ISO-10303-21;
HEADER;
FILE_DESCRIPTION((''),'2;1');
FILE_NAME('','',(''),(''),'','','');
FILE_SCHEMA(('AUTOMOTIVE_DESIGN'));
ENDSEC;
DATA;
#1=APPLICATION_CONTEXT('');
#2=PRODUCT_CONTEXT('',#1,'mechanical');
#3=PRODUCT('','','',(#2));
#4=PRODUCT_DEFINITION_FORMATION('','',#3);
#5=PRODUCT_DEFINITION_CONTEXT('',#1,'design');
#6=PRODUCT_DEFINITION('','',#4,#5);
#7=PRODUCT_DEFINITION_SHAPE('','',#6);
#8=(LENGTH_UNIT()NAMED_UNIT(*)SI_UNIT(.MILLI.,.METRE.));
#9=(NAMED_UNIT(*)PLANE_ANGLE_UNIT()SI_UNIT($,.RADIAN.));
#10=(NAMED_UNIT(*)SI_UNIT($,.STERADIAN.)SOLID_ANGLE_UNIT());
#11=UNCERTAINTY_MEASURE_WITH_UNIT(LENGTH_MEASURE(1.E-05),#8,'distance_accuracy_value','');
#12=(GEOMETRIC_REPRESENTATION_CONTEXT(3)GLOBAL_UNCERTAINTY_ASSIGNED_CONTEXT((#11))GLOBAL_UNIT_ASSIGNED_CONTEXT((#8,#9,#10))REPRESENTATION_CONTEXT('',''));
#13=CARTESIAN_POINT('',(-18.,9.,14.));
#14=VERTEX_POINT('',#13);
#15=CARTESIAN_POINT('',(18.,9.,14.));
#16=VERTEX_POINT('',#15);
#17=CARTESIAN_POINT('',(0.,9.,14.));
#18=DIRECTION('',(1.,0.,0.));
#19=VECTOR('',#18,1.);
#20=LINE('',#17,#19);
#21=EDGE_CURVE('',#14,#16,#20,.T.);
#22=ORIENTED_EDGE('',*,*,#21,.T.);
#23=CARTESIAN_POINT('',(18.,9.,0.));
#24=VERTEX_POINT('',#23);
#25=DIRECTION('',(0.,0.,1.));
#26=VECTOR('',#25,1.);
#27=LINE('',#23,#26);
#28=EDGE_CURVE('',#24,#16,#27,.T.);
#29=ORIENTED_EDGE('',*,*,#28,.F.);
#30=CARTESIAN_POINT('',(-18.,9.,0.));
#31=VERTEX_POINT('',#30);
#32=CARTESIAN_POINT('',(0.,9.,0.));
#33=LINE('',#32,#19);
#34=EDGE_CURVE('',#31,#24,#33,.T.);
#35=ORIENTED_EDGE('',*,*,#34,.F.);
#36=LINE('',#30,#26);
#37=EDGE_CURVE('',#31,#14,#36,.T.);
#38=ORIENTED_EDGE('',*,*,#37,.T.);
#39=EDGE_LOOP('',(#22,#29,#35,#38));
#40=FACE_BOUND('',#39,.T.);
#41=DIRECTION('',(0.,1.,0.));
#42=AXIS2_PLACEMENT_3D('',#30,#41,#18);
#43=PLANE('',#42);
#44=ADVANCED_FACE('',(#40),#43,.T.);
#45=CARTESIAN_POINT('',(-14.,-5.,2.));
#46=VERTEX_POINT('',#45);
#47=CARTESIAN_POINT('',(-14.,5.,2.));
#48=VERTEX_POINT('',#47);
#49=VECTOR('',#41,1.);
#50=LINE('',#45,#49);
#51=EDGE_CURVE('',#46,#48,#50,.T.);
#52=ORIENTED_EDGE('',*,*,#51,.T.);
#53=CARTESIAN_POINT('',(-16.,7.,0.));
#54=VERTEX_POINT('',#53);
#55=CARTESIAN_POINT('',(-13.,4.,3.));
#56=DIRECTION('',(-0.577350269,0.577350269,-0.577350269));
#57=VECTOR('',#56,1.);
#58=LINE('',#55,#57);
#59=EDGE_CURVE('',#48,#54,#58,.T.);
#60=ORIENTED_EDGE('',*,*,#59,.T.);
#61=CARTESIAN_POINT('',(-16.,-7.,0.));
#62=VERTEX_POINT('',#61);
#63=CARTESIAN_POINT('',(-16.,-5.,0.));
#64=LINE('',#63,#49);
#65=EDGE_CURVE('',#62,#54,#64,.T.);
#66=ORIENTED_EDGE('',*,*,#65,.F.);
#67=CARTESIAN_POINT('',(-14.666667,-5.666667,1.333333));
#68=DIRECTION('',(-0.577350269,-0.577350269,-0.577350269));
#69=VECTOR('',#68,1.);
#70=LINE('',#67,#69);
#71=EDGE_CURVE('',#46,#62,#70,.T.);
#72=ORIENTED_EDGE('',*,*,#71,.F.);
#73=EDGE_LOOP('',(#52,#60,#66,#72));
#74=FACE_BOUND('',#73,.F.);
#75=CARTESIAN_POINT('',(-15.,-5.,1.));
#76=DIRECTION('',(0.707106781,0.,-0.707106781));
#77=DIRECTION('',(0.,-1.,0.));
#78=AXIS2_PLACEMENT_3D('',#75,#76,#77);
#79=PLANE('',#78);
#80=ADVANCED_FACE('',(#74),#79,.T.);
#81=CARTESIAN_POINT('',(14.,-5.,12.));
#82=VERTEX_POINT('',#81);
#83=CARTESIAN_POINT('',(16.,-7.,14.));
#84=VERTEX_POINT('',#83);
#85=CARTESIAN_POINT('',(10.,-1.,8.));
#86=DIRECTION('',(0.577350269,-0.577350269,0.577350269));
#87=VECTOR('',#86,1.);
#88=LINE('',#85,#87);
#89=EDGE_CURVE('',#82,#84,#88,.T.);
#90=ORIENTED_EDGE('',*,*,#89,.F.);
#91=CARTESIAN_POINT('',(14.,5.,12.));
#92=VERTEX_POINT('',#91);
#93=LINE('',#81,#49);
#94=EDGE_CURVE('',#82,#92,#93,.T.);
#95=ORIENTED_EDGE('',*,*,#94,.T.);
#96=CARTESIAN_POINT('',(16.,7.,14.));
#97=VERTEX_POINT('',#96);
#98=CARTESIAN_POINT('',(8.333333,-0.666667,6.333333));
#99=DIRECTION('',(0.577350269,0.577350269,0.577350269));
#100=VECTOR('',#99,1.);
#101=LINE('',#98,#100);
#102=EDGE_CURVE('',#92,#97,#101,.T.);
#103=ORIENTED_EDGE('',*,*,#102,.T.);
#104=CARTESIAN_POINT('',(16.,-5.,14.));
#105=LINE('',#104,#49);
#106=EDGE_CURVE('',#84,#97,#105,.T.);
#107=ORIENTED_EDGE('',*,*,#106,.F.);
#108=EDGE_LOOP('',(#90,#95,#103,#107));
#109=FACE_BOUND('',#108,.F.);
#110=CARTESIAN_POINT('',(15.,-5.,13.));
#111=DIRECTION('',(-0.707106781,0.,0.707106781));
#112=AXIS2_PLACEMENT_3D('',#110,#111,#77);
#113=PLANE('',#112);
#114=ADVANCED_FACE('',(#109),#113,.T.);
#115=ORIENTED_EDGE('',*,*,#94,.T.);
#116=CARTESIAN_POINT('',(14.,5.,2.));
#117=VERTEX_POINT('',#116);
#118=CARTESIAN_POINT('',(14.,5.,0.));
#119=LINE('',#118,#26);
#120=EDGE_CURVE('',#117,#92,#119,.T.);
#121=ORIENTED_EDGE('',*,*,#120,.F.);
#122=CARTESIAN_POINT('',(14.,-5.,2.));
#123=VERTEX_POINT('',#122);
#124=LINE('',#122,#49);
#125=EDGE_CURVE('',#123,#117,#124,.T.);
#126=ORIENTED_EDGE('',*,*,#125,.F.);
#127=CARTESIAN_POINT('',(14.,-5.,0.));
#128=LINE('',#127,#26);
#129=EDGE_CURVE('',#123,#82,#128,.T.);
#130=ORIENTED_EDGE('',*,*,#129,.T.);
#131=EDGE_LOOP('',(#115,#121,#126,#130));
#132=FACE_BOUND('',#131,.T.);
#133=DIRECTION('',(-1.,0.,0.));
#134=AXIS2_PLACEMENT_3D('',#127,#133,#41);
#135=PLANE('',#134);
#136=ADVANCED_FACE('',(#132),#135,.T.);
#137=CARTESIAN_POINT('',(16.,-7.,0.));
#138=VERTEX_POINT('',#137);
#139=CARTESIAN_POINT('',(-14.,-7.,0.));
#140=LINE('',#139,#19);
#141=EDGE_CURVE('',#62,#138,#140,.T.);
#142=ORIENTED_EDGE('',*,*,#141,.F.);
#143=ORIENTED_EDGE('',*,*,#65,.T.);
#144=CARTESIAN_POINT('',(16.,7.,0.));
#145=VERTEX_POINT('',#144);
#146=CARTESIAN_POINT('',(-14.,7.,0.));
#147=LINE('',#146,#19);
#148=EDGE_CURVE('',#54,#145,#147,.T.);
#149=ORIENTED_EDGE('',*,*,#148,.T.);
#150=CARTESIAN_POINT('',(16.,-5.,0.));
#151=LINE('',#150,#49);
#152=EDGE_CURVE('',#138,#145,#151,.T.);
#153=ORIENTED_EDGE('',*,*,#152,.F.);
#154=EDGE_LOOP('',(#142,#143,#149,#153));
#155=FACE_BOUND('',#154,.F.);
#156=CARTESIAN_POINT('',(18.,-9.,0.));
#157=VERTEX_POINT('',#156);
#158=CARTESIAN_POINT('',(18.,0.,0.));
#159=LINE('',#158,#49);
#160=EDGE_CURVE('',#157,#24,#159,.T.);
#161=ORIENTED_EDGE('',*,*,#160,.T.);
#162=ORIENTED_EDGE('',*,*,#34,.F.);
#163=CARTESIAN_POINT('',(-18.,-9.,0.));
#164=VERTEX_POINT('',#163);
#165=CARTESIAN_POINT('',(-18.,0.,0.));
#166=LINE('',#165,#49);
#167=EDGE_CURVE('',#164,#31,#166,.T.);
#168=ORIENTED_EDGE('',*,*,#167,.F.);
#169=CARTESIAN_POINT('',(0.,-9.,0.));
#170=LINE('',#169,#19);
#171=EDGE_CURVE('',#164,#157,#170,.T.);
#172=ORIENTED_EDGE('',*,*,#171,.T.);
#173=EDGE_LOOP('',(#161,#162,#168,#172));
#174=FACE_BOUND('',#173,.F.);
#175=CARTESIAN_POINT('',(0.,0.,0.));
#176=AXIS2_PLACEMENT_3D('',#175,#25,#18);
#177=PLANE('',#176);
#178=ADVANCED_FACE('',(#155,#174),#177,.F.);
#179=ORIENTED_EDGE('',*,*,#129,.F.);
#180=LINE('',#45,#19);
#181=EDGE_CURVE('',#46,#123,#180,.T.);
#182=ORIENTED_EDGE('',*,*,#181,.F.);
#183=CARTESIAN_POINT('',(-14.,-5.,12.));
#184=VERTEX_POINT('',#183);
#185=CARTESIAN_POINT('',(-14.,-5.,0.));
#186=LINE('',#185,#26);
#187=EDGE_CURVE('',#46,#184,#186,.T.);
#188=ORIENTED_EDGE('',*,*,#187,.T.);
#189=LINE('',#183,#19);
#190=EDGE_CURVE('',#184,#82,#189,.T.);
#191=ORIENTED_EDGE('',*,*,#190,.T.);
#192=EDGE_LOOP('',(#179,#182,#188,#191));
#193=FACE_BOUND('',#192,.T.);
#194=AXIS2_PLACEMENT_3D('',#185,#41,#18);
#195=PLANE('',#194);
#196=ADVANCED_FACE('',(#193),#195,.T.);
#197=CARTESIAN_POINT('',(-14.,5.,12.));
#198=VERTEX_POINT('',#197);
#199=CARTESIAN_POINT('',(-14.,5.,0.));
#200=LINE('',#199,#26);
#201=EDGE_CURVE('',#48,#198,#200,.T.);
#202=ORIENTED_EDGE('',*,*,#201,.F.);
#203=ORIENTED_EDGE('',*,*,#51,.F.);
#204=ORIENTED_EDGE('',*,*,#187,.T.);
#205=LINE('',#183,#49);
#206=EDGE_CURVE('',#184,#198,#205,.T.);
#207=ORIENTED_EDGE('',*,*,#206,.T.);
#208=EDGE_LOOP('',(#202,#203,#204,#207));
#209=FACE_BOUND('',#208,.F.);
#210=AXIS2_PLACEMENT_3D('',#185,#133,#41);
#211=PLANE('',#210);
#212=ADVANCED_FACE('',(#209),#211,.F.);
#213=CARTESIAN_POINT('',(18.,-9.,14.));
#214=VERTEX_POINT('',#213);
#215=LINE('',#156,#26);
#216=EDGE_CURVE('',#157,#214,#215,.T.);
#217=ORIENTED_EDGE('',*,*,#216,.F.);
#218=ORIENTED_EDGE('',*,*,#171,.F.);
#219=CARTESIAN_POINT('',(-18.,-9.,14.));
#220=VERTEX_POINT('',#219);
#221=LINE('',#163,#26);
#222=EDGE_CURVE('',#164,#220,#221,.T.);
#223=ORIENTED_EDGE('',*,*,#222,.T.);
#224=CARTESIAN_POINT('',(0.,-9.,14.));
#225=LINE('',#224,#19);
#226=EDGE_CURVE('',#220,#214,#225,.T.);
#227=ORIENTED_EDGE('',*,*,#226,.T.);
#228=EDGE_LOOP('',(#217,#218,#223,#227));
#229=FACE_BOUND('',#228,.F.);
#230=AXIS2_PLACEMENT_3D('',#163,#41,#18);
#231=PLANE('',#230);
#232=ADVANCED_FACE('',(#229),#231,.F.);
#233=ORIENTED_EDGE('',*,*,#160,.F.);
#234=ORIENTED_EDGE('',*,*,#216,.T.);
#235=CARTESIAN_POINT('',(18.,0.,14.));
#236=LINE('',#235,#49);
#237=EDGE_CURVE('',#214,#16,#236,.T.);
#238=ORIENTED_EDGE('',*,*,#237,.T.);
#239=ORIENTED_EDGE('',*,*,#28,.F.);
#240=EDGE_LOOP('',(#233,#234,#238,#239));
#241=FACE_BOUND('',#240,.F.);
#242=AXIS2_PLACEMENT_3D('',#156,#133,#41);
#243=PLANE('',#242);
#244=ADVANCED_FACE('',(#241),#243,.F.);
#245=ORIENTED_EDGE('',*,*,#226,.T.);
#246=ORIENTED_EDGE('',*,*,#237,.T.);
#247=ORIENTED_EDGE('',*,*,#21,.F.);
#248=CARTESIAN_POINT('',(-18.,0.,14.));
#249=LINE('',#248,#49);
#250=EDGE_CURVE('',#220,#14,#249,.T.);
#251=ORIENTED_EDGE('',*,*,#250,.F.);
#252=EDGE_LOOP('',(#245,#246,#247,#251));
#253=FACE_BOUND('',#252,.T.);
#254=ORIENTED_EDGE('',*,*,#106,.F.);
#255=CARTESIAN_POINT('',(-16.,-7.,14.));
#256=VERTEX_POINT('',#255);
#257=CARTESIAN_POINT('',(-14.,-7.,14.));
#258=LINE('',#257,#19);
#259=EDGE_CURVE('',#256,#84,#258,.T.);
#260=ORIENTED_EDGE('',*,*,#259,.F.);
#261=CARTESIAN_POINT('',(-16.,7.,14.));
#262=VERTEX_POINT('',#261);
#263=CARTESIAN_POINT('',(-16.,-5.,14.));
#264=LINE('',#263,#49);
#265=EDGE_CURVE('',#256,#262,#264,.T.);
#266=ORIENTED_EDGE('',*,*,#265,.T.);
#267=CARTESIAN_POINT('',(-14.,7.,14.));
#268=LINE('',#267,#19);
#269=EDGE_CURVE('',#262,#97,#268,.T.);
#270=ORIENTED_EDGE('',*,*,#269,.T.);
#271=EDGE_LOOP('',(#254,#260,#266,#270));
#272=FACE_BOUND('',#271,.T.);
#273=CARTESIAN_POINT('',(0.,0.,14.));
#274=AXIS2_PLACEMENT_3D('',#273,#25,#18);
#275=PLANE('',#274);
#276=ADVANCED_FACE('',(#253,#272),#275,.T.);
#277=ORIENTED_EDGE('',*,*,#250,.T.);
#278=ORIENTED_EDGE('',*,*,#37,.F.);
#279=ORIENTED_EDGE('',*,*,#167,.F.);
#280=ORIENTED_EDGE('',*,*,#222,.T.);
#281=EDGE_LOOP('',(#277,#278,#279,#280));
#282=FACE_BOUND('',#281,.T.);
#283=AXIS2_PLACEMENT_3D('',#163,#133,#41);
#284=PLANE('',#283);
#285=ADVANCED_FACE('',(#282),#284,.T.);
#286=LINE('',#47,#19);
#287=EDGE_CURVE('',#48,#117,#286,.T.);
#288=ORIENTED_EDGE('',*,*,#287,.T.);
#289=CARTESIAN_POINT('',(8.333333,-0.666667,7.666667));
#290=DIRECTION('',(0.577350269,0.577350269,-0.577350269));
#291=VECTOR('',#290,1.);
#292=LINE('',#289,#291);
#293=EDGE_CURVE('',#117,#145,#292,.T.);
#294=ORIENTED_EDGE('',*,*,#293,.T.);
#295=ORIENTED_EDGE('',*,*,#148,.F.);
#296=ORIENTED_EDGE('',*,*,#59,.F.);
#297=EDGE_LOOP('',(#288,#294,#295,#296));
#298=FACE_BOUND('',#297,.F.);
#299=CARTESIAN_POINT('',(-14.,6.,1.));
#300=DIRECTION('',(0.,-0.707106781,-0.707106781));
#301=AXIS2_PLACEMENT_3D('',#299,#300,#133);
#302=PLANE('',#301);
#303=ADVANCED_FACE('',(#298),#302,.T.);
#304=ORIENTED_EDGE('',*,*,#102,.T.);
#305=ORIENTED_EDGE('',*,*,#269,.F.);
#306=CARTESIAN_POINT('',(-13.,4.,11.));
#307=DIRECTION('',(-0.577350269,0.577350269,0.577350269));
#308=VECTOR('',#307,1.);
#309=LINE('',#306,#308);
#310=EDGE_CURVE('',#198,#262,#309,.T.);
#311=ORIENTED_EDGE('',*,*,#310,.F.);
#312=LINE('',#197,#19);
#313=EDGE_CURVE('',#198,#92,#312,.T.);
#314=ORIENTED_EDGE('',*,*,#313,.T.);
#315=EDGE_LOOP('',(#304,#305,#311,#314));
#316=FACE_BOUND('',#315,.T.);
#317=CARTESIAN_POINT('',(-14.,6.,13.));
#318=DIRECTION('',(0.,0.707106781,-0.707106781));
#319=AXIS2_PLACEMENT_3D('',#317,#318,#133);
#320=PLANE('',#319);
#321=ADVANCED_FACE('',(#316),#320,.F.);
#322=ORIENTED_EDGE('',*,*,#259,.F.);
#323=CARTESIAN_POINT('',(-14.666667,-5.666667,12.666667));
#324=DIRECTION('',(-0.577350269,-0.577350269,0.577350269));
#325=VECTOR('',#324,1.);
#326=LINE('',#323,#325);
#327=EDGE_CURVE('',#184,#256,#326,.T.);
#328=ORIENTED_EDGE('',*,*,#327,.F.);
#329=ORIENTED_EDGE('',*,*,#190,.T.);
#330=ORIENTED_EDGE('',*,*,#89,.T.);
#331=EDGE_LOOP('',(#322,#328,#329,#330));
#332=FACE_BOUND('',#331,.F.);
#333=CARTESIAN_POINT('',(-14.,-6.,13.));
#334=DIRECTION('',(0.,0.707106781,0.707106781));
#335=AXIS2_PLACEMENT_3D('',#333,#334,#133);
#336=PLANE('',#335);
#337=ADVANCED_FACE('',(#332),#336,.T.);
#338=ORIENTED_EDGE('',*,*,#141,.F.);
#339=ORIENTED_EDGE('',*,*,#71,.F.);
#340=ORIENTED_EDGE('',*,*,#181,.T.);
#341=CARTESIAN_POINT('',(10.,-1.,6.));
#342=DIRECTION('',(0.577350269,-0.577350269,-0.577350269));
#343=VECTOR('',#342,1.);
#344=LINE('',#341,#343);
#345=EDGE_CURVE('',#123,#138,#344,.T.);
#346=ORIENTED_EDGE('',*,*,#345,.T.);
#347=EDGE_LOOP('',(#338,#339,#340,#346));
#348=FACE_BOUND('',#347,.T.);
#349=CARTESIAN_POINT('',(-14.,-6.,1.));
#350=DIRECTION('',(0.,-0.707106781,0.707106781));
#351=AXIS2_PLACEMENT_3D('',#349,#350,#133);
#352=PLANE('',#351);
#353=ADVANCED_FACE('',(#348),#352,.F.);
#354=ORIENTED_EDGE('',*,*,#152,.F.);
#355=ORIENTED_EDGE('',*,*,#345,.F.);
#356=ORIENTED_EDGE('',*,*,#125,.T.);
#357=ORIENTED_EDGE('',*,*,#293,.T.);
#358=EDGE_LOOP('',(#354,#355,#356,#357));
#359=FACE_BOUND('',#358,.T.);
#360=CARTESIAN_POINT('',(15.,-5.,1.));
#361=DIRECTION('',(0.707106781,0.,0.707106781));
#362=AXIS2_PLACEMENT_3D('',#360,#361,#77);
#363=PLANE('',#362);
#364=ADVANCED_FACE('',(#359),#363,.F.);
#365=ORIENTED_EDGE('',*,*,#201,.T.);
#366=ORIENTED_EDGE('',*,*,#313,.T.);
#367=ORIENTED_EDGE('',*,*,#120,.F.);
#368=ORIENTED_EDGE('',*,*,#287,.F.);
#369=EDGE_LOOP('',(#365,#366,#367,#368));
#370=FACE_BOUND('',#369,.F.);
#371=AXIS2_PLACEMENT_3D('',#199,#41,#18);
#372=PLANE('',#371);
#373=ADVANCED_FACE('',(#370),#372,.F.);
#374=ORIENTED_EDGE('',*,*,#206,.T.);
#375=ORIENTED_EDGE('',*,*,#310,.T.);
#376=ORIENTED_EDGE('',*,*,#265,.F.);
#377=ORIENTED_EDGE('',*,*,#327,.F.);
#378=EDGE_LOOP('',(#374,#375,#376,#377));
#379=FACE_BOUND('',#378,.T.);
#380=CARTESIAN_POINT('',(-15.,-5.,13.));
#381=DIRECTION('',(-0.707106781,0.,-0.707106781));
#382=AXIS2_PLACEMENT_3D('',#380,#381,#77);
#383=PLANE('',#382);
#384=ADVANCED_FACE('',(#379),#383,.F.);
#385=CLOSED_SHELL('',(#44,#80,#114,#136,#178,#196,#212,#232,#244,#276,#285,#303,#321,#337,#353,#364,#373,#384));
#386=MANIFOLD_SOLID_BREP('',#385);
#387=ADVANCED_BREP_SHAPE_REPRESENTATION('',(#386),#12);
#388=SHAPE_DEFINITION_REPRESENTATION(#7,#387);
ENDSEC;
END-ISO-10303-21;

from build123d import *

# Parameters (mm, degrees)
F0_W     = 36
F0_H     = 18
F0_W_2   = 28
F0_H_2   = 10
F1_DEPTH = 14
F2_SIZE  = 2


with BuildPart() as f1:
    # F0 (on Top) → F1 (new body)
    with BuildSketch(Plane.XY):
        Rectangle(F0_W, F0_H)
        Rectangle(F0_W_2, F0_H_2, mode=Mode.SUBTRACT)
    extrude(amount=F1_DEPTH)

    # F2
    f2_edges = [f1.edges().sort_by_distance(p)[0] for p in [
        (0, 5, 14),
        (0, 5, 0),
        (0, -5, 0),
        (14, 0, 14),
        (0, -5, 14),
        (-14, 0, 0),
        (14, 0, 0),
        (-14, 0, 14),
    ]]
    chamfer(f2_edges, length=F2_SIZE)


solid = f1.part
